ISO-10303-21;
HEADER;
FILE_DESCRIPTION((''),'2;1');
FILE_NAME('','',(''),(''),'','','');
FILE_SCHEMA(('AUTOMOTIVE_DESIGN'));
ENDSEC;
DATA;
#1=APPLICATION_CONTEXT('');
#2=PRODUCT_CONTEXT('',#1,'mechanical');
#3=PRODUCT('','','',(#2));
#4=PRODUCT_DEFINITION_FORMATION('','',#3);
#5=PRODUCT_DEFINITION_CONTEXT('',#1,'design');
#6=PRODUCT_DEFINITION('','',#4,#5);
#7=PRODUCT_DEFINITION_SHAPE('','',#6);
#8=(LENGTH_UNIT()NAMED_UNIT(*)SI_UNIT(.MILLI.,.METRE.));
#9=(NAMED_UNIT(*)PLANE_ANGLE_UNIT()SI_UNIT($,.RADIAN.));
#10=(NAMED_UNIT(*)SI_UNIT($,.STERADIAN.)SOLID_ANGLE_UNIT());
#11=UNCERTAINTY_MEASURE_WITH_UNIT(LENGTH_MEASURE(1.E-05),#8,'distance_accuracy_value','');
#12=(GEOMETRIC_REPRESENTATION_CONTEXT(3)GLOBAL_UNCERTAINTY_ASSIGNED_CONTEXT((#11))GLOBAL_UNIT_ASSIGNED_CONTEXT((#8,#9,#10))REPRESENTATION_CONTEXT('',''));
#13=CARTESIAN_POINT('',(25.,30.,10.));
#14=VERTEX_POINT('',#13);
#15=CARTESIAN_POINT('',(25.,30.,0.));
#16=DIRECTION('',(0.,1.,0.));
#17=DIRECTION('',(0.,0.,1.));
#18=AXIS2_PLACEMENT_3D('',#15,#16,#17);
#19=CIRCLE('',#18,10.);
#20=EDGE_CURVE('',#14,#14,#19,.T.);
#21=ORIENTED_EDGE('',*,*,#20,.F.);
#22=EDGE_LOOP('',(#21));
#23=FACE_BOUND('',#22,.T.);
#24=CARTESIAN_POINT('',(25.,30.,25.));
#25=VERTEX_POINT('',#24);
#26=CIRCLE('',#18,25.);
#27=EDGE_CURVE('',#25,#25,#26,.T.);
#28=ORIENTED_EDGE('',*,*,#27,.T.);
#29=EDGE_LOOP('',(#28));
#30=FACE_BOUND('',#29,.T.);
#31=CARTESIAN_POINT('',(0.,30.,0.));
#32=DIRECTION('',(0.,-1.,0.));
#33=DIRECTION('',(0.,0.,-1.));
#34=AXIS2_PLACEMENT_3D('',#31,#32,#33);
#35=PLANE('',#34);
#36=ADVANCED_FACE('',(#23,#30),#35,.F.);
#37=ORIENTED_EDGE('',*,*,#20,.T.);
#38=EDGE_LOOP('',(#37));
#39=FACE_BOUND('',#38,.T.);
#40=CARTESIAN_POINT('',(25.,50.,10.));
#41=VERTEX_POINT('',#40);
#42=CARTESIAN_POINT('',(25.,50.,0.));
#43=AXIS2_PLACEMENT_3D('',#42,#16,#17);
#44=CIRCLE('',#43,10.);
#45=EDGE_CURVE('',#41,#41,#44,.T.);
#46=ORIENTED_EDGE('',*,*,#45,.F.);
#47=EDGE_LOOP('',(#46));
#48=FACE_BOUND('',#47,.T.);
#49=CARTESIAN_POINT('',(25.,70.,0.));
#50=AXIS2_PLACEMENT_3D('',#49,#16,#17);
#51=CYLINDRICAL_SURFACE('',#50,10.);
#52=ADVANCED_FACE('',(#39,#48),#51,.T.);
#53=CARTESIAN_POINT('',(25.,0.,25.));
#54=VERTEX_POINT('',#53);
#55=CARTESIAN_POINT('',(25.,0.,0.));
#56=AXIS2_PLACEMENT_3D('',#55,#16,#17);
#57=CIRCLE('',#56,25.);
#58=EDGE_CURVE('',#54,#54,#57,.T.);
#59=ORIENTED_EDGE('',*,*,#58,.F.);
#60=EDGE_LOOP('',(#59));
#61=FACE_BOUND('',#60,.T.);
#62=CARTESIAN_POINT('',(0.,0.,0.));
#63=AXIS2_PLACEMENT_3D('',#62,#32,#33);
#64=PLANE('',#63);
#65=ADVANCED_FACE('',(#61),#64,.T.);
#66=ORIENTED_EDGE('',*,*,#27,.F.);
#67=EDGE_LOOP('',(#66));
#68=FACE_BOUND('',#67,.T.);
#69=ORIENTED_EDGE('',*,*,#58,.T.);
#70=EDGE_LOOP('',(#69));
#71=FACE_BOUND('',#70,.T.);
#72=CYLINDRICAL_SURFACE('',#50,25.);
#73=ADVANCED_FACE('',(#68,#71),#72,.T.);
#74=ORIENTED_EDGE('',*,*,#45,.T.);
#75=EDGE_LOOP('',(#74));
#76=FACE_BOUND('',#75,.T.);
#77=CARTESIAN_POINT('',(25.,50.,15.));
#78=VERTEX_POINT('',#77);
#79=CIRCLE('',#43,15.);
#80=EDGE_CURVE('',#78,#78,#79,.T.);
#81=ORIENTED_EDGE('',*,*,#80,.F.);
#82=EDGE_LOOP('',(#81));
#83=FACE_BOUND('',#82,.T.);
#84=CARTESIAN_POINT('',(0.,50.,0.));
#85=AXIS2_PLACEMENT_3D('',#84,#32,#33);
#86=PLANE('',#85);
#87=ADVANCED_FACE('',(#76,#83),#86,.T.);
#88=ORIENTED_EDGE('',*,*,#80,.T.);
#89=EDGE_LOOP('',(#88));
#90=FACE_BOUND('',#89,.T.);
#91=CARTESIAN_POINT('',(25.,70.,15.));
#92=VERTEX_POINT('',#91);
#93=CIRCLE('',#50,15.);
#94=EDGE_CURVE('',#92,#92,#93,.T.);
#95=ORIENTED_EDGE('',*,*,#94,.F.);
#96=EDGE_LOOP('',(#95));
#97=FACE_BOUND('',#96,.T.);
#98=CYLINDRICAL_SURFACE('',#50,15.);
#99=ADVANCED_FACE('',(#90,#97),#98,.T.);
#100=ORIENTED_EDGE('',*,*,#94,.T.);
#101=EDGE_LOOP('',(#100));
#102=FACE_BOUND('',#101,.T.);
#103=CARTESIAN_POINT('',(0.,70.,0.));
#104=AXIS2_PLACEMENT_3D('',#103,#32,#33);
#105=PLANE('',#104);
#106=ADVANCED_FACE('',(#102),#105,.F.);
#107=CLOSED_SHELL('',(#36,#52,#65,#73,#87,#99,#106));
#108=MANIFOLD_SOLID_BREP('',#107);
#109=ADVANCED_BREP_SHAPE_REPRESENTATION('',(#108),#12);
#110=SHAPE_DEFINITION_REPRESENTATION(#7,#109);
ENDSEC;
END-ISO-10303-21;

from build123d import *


with BuildPart() as part:
    # Sketch1 → Revolve2 (revolve)
    with BuildSketch(Plane.XY, mode=Mode.PRIVATE) as revolve2_sk:
        Polygon((0, 0), (25, 0), (25, 70), (10, 70), (10, 50), (15, 50), (15, 30), (0, 30), align=None)
    revolve(revolve2_sk.sketch.rotate(Axis((25, 70, 0), (0, -1, 0)), 270), axis=Axis((25, 70, 0), (0, -1, 0)))


solid = part.part
